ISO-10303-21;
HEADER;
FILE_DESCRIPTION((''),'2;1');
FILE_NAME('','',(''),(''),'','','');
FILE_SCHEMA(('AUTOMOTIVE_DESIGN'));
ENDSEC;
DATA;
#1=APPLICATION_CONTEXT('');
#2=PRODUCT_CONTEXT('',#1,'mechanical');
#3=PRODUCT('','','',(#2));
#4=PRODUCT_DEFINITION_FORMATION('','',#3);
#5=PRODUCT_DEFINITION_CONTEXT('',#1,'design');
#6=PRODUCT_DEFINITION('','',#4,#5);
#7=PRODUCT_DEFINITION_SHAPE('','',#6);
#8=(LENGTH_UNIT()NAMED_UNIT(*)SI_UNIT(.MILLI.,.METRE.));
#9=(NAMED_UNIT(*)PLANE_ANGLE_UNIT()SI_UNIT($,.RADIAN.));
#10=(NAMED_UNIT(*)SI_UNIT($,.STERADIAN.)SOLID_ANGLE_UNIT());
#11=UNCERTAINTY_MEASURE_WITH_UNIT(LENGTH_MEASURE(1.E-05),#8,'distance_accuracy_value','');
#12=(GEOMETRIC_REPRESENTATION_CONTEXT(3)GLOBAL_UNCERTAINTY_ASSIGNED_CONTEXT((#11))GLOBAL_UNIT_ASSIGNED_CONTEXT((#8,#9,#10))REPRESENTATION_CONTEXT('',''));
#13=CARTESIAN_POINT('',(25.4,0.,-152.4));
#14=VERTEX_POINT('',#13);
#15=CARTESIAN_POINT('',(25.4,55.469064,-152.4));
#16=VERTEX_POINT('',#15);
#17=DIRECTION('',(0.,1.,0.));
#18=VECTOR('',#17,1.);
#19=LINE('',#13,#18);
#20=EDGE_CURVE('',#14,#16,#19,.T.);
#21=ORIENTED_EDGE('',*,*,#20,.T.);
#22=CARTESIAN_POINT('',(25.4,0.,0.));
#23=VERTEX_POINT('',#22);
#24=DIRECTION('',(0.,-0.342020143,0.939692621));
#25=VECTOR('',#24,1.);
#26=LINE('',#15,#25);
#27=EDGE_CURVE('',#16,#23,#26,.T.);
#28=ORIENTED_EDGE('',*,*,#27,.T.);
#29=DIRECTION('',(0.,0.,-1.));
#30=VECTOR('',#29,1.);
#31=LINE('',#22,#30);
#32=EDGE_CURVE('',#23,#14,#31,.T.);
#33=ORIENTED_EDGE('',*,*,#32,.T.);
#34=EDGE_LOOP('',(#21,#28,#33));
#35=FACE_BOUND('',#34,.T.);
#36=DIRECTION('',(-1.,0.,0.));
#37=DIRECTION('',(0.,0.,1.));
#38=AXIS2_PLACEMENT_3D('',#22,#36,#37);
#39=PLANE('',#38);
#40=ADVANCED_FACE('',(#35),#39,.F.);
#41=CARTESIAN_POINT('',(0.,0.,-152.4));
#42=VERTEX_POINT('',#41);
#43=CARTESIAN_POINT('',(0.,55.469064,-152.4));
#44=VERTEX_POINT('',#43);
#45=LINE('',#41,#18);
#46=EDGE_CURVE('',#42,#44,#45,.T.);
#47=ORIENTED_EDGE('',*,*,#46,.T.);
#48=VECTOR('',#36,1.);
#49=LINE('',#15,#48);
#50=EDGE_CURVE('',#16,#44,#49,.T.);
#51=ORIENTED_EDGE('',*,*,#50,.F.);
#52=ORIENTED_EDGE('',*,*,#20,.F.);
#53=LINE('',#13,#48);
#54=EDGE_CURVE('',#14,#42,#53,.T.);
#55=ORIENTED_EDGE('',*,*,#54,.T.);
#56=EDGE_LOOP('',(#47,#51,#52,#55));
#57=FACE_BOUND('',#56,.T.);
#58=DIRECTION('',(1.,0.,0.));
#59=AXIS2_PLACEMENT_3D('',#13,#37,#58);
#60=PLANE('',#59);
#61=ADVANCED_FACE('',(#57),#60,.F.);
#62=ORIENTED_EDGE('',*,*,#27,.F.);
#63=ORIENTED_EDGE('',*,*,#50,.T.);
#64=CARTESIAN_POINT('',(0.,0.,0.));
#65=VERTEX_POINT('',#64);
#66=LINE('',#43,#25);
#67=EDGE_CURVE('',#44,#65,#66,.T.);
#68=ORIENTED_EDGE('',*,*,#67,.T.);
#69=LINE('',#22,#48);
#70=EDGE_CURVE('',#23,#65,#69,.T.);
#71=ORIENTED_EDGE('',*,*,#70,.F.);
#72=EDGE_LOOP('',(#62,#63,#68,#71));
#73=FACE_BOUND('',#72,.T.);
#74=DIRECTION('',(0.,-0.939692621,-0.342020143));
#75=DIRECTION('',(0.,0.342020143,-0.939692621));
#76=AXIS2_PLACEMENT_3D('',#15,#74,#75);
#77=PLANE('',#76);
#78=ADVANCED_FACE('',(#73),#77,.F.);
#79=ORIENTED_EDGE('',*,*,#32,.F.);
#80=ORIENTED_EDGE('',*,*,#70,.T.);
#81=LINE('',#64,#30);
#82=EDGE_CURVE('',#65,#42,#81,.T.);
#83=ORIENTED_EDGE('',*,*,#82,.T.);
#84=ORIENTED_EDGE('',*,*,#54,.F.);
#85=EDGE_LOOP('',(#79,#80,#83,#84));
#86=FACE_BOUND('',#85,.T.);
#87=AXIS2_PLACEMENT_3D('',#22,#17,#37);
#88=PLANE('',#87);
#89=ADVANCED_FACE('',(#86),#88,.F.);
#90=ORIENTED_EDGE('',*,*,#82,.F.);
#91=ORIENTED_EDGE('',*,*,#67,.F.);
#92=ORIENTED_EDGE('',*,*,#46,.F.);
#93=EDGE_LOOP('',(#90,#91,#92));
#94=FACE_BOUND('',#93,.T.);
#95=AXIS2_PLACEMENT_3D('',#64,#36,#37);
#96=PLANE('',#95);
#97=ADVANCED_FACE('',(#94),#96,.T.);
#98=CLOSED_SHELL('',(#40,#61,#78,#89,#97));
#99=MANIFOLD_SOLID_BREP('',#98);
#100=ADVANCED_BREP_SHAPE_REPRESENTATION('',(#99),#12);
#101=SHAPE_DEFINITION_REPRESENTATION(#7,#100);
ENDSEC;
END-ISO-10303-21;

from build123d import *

# Parameters (mm, degrees)
BOSS_EXTRUDE1_DEPTH = 25.4


with BuildPart() as part:
    # Sketch1 → Boss-Extrude1 (new body)
    with BuildSketch(Plane(origin=(0, 0, 0), x_dir=(0, 0, -1), z_dir=(1, 0, 0))):
        Polygon((0, 0), (152.4, 0), (152.4, 55.469063702), align=None)
    extrude(amount=BOSS_EXTRUDE1_DEPTH)


solid = part.part
